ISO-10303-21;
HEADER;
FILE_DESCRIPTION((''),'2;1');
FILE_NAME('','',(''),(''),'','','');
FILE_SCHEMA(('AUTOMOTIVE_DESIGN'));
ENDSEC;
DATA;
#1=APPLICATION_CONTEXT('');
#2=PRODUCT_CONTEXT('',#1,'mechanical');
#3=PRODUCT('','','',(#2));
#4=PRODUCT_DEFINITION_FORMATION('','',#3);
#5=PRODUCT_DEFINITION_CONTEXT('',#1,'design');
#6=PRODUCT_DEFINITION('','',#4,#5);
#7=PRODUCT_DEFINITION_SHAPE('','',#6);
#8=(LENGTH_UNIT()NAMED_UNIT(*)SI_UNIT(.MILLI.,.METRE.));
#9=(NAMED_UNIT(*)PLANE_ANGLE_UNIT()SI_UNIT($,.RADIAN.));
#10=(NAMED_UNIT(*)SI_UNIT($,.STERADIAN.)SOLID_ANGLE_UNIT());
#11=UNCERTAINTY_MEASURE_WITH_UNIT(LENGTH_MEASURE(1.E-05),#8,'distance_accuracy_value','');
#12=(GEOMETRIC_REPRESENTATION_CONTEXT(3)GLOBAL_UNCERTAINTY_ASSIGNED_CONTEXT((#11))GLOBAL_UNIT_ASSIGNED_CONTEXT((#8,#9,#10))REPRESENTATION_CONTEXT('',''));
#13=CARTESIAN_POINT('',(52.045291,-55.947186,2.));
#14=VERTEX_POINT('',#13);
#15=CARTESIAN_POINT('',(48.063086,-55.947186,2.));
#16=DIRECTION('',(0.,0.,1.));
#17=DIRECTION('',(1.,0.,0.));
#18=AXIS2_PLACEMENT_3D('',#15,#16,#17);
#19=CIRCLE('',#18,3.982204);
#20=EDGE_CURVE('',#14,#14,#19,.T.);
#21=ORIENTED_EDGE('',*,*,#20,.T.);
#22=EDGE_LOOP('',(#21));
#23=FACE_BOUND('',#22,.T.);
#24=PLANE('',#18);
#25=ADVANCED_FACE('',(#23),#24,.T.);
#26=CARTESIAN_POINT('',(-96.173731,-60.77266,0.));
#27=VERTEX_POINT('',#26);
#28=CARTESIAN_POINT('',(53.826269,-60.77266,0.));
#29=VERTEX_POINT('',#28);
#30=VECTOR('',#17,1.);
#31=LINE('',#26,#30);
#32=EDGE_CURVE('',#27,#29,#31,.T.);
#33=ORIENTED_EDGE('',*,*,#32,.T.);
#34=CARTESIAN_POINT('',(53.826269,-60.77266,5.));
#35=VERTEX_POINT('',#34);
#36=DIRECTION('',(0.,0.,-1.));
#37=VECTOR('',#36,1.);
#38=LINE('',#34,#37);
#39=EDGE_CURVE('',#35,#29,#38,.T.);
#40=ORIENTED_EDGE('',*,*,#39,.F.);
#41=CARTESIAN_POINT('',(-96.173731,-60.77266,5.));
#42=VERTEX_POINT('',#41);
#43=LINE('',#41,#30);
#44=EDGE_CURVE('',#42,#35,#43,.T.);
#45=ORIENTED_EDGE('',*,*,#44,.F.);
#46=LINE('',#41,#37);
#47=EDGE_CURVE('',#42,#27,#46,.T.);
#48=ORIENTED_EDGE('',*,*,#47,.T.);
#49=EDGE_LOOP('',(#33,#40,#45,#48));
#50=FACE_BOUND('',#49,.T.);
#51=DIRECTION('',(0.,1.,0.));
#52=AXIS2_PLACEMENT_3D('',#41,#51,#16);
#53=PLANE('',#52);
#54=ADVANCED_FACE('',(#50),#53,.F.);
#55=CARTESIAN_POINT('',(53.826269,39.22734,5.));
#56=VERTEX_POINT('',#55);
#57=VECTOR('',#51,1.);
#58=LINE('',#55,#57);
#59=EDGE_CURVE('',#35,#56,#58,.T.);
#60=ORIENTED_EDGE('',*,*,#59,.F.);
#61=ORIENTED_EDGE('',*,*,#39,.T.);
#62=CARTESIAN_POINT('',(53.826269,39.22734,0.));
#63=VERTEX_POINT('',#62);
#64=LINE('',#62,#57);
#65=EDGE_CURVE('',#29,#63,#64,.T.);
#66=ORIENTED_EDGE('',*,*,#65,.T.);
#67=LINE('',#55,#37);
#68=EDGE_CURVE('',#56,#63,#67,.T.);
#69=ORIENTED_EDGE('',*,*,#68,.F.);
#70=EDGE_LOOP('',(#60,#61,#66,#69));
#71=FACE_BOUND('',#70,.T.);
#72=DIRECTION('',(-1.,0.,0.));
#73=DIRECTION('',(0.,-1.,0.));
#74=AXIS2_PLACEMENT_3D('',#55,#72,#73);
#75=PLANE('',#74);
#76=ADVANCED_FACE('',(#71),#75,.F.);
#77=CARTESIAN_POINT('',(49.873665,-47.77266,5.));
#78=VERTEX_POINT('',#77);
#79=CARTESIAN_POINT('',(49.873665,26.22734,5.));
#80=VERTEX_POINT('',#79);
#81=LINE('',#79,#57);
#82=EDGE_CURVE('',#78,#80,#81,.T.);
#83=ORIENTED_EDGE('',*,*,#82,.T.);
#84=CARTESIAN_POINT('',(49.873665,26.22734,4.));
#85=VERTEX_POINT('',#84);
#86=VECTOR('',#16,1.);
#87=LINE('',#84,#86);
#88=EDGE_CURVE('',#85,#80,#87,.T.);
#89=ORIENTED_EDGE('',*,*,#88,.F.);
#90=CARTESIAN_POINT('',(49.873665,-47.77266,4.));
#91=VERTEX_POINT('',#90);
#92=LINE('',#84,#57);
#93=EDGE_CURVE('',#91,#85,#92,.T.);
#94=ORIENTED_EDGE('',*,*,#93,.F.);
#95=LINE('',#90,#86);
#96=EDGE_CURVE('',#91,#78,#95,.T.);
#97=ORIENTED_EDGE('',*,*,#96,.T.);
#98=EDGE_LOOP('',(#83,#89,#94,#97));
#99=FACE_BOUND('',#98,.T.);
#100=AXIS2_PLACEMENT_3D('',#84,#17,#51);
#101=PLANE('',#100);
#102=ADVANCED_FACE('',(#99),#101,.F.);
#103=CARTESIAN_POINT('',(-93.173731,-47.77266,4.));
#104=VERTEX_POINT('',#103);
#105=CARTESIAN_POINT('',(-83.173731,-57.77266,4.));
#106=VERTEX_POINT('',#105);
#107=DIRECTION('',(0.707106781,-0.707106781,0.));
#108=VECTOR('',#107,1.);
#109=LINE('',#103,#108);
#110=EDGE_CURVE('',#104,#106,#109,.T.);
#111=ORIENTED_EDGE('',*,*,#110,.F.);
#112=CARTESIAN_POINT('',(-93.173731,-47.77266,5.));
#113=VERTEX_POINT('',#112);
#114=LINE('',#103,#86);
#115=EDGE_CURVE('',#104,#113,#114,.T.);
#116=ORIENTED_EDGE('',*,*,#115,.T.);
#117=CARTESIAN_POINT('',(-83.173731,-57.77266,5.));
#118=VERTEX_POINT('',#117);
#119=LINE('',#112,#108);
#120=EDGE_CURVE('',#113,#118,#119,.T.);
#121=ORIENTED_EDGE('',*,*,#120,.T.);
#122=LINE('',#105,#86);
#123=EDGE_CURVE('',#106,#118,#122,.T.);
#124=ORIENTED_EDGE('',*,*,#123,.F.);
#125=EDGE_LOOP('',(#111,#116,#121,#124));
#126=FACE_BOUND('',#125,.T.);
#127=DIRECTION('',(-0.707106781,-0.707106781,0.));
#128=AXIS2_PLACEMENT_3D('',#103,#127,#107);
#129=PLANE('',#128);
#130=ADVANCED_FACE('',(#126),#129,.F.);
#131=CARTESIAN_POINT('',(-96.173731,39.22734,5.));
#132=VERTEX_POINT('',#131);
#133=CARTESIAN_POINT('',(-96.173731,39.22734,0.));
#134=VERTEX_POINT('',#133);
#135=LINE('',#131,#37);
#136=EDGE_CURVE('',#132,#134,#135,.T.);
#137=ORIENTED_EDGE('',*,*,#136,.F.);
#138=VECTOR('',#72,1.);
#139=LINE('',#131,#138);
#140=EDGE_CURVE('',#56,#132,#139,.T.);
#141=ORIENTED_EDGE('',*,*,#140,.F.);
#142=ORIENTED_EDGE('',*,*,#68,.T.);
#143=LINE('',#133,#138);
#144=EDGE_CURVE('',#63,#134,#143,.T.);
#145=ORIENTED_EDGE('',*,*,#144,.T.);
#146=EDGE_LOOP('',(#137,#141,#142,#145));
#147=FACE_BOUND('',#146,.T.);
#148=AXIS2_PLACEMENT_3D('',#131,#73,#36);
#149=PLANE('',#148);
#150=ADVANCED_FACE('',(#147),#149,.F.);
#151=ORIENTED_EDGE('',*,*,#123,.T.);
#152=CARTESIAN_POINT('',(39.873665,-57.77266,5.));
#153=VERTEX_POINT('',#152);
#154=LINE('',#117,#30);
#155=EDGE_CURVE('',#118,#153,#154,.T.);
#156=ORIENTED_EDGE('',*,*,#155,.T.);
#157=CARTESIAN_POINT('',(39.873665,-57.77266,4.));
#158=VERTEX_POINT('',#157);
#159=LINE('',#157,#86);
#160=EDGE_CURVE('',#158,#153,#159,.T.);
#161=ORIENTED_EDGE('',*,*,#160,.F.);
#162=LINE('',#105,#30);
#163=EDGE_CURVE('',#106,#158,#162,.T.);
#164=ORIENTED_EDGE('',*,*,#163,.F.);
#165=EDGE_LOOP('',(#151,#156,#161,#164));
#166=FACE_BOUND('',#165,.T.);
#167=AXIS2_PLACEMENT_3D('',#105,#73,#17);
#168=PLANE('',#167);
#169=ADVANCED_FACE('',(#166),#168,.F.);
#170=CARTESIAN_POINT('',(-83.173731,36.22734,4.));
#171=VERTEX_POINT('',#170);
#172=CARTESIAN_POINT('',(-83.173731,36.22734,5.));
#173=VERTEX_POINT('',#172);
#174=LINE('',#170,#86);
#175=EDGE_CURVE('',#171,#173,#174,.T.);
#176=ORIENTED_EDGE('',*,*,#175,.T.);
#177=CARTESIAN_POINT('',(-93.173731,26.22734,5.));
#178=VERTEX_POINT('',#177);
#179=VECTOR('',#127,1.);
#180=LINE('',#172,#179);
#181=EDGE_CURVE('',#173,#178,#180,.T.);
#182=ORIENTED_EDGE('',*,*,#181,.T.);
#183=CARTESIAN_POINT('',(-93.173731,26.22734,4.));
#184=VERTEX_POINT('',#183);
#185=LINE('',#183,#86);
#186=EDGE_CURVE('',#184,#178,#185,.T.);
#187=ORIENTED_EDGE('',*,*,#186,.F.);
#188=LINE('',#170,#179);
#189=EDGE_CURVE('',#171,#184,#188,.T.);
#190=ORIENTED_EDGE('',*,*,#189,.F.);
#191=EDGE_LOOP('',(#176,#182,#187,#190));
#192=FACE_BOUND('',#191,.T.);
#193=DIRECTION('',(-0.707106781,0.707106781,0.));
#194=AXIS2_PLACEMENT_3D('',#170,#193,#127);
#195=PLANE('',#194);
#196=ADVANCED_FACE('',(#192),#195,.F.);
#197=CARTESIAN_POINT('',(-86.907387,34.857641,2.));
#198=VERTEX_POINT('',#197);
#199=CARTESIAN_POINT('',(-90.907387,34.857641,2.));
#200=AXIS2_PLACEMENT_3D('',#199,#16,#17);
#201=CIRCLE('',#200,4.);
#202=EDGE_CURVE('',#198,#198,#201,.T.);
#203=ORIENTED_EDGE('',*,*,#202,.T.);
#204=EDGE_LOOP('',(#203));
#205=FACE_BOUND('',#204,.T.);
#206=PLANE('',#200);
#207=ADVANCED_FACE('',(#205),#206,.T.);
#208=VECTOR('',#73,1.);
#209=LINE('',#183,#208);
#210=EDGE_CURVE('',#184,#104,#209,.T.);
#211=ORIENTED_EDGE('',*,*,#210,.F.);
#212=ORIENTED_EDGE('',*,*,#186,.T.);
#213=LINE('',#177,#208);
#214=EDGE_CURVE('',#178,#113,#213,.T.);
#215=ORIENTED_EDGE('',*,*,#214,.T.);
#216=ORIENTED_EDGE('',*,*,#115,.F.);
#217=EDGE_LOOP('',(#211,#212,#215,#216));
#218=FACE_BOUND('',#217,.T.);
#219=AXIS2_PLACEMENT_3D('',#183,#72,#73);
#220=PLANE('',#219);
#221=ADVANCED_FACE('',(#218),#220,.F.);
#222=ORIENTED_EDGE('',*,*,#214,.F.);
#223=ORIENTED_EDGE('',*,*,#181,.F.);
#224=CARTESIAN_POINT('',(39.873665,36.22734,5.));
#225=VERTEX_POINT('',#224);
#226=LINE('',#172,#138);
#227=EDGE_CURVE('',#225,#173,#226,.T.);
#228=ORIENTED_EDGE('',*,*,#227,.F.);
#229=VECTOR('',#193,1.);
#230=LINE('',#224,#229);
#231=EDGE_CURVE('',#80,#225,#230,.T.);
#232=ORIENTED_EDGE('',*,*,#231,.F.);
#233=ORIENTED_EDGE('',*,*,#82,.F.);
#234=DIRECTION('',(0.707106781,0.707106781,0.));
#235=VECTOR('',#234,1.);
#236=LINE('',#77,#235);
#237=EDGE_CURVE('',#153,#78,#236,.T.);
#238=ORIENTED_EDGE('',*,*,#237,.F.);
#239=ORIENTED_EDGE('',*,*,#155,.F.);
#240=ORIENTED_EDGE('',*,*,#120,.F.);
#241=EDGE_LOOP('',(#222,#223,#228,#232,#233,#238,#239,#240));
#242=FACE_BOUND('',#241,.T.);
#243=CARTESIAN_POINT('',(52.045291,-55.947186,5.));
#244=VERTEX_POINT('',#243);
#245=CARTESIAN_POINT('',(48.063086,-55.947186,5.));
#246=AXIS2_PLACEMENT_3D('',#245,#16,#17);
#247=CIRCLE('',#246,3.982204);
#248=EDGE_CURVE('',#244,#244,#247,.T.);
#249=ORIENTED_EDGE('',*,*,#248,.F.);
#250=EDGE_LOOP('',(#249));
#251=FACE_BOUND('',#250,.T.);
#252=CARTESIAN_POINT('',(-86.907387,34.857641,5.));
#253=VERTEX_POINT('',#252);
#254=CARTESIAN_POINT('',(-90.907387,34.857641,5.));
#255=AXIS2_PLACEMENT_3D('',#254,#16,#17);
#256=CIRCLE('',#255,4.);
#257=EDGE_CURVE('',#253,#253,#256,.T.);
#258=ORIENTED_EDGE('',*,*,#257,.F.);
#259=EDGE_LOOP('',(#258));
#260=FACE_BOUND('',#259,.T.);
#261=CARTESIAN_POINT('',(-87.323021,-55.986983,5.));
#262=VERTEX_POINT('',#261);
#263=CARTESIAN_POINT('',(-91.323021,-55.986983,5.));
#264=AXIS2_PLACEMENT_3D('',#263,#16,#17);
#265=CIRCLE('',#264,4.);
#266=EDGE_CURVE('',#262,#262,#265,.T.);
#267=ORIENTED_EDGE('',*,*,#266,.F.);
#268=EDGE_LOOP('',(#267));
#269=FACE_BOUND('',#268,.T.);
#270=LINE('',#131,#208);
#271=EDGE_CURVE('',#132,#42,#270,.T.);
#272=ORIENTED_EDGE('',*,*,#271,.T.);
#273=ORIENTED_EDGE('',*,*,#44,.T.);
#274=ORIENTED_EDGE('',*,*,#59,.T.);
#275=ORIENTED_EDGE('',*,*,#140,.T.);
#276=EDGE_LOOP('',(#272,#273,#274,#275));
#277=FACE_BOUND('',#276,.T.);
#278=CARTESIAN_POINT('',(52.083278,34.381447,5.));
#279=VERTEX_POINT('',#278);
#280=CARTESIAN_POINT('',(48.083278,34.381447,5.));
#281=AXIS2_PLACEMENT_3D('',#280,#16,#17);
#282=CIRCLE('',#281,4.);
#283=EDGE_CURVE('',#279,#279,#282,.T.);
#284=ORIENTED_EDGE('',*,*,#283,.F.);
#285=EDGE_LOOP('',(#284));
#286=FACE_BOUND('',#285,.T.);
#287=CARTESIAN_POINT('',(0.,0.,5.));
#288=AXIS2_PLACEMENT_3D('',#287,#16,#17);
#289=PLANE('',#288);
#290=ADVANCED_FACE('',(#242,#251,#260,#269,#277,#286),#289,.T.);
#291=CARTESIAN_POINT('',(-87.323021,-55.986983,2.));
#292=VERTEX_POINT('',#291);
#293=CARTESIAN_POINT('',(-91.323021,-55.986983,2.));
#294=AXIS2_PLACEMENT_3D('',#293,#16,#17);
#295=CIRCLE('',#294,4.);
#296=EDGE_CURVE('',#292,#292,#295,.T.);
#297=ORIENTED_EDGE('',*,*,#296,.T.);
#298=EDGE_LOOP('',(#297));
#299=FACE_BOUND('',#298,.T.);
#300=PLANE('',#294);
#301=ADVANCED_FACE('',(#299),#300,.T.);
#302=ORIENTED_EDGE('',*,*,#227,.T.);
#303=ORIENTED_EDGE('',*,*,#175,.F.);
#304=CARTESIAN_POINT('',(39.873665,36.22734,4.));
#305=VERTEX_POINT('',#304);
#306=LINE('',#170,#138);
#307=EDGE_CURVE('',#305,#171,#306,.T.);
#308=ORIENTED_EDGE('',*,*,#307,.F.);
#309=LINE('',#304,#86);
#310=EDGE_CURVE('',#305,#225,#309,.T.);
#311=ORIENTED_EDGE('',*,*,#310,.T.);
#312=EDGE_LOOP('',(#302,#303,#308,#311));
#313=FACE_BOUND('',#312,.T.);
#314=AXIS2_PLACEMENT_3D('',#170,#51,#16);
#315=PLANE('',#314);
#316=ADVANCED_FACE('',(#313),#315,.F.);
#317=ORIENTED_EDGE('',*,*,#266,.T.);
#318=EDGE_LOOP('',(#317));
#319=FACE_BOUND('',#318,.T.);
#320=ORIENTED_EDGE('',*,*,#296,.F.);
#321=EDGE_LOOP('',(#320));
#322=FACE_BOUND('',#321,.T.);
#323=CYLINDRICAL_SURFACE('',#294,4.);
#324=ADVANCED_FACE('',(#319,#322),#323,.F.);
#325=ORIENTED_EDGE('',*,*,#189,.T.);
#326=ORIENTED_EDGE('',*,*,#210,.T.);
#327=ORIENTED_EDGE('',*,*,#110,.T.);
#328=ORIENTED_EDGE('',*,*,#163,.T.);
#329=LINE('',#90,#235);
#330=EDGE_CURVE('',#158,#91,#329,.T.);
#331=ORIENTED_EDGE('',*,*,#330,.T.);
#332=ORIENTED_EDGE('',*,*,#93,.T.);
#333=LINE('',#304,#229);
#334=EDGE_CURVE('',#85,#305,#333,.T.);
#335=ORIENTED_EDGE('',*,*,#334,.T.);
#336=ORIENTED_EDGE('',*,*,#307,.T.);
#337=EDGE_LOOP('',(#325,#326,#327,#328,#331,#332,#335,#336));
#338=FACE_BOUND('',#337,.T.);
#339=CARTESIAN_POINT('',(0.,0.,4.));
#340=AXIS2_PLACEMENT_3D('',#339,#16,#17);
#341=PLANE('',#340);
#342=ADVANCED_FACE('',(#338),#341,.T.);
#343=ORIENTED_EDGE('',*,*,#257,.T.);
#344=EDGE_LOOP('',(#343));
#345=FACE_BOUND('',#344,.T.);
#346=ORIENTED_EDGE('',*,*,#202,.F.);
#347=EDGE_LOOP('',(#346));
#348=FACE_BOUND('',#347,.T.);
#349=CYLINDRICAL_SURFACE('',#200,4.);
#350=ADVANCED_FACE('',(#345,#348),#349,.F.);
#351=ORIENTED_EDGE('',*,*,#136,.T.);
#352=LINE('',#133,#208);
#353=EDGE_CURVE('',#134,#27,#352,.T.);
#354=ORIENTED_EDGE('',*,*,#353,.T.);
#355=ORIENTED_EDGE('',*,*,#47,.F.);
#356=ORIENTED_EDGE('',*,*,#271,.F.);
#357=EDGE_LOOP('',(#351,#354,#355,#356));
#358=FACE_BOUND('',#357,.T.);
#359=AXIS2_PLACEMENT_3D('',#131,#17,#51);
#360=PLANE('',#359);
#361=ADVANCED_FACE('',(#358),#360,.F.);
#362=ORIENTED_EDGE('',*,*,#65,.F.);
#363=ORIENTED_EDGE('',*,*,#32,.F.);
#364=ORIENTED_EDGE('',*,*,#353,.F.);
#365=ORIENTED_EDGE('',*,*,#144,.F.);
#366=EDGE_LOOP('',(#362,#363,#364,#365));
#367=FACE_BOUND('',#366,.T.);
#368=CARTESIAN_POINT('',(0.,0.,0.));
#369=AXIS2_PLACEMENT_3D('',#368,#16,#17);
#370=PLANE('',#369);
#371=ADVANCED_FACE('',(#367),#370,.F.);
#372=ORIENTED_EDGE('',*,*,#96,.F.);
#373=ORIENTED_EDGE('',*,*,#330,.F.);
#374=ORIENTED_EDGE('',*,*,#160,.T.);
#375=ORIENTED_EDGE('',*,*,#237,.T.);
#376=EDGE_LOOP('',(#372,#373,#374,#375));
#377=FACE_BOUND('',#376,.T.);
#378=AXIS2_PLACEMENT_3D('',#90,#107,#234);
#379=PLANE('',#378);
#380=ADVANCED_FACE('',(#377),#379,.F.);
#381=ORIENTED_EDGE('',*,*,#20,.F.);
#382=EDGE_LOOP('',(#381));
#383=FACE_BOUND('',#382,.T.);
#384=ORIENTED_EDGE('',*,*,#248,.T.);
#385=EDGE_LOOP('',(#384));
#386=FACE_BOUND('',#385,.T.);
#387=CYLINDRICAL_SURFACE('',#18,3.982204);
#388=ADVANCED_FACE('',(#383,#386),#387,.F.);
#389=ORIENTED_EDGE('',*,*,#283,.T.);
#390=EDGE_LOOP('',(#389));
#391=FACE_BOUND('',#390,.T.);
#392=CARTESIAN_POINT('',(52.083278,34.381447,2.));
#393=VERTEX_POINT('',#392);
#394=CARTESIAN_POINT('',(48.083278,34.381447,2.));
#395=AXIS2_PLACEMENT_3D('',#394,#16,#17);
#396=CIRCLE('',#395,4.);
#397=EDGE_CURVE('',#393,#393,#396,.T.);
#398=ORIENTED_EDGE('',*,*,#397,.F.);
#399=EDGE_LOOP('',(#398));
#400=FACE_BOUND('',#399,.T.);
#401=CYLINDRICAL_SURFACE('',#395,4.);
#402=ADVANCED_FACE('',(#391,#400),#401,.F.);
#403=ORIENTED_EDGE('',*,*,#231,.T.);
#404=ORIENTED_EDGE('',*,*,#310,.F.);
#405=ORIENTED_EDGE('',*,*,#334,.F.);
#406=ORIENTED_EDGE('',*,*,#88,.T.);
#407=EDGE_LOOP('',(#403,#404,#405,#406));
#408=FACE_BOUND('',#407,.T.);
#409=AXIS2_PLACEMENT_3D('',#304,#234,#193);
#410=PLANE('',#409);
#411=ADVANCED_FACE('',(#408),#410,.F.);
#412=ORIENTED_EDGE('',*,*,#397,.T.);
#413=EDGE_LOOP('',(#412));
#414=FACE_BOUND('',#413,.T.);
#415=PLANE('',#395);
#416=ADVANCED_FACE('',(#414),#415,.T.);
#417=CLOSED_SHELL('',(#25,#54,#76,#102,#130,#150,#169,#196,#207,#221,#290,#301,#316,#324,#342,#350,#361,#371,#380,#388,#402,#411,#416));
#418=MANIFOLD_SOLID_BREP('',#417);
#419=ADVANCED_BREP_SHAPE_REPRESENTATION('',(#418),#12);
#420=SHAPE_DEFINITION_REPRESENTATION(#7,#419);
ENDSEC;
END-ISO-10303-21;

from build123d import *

# Parameters (mm, degrees)
ESQUISSE1_W              = 150
ESQUISSE1_H              = 100
BOSS_EXTRU_1_DEPTH       = 5
ENL_V_MAT_EXTRU_1_DEPTH  = 1
ESQUISSE3_R              = 4
ENL_V_MAT_EXTRU_2_DEPTH  = 3
ESQUISSE6_R              = 4
ENL_V_MAT_EXTRU_6_DEPTH  = 3
ESQUISSE7_R              = 4
ENL_V_MAT_EXTRU_8_DEPTH  = 3
ESQUISSE8_R              = 3.982204299
ENL_V_MAT_EXTRU_10_DEPTH = 3


with BuildPart() as part:
    # Esquisse1 → Boss.-Extru.1 (new body)
    with BuildSketch(Plane.XY):
        with Locations((-21.17373101, -10.772659733)):
            Rectangle(ESQUISSE1_W, ESQUISSE1_H)
    extrude(amount=BOSS_EXTRU_1_DEPTH)

    # Esquisse2 → Enlèv. mat.-Extru.1 (cut)
    with BuildSketch(Plane.XY.offset(5)):
        Polygon((-83.17373101, 36.227340267), (39.87366547, 36.227340267), (49.87366547, 26.227340267), (49.87366547, -47.772659733), (39.87366547, -57.772659733), (-83.17373101, -57.772659733), (-93.17373101, -47.772659733), (-93.17373101, 26.227340267), align=None)
    extrude(amount=-ENL_V_MAT_EXTRU_1_DEPTH, mode=Mode.SUBTRACT)

    # Esquisse3 → Enlèv. mat.-Extru.2 (cut)
    with BuildSketch(Plane.XY.offset(5)):
        with Locations((-90.907387201, 34.857641034)):
            Circle(ESQUISSE3_R)
    extrude(amount=-ENL_V_MAT_EXTRU_2_DEPTH, mode=Mode.SUBTRACT)

    # Esquisse6 → Enlèv. mat.-Extru.6 (cut)
    with BuildSketch(Plane.XY.offset(5)):
        with Locations((48.083277729, 34.38144698)):
            Circle(ESQUISSE6_R)
    extrude(amount=-ENL_V_MAT_EXTRU_6_DEPTH, mode=Mode.SUBTRACT)

    # Esquisse7 → Enlèv. mat.-Extru.8 (cut)
    with BuildSketch(Plane.XY.offset(5)):
        with Locations((-91.323021124, -55.986982745)):
            Circle(ESQUISSE7_R)
    extrude(amount=-ENL_V_MAT_EXTRU_8_DEPTH, mode=Mode.SUBTRACT)

    # Esquisse8 → Enlèv. mat.-Extru.10 (cut)
    with BuildSketch(Plane.XY.offset(5)):
        with Locations((48.063086484, -55.947185674)):
            Circle(ESQUISSE8_R)
    extrude(amount=-ENL_V_MAT_EXTRU_10_DEPTH, mode=Mode.SUBTRACT)


solid = part.part
